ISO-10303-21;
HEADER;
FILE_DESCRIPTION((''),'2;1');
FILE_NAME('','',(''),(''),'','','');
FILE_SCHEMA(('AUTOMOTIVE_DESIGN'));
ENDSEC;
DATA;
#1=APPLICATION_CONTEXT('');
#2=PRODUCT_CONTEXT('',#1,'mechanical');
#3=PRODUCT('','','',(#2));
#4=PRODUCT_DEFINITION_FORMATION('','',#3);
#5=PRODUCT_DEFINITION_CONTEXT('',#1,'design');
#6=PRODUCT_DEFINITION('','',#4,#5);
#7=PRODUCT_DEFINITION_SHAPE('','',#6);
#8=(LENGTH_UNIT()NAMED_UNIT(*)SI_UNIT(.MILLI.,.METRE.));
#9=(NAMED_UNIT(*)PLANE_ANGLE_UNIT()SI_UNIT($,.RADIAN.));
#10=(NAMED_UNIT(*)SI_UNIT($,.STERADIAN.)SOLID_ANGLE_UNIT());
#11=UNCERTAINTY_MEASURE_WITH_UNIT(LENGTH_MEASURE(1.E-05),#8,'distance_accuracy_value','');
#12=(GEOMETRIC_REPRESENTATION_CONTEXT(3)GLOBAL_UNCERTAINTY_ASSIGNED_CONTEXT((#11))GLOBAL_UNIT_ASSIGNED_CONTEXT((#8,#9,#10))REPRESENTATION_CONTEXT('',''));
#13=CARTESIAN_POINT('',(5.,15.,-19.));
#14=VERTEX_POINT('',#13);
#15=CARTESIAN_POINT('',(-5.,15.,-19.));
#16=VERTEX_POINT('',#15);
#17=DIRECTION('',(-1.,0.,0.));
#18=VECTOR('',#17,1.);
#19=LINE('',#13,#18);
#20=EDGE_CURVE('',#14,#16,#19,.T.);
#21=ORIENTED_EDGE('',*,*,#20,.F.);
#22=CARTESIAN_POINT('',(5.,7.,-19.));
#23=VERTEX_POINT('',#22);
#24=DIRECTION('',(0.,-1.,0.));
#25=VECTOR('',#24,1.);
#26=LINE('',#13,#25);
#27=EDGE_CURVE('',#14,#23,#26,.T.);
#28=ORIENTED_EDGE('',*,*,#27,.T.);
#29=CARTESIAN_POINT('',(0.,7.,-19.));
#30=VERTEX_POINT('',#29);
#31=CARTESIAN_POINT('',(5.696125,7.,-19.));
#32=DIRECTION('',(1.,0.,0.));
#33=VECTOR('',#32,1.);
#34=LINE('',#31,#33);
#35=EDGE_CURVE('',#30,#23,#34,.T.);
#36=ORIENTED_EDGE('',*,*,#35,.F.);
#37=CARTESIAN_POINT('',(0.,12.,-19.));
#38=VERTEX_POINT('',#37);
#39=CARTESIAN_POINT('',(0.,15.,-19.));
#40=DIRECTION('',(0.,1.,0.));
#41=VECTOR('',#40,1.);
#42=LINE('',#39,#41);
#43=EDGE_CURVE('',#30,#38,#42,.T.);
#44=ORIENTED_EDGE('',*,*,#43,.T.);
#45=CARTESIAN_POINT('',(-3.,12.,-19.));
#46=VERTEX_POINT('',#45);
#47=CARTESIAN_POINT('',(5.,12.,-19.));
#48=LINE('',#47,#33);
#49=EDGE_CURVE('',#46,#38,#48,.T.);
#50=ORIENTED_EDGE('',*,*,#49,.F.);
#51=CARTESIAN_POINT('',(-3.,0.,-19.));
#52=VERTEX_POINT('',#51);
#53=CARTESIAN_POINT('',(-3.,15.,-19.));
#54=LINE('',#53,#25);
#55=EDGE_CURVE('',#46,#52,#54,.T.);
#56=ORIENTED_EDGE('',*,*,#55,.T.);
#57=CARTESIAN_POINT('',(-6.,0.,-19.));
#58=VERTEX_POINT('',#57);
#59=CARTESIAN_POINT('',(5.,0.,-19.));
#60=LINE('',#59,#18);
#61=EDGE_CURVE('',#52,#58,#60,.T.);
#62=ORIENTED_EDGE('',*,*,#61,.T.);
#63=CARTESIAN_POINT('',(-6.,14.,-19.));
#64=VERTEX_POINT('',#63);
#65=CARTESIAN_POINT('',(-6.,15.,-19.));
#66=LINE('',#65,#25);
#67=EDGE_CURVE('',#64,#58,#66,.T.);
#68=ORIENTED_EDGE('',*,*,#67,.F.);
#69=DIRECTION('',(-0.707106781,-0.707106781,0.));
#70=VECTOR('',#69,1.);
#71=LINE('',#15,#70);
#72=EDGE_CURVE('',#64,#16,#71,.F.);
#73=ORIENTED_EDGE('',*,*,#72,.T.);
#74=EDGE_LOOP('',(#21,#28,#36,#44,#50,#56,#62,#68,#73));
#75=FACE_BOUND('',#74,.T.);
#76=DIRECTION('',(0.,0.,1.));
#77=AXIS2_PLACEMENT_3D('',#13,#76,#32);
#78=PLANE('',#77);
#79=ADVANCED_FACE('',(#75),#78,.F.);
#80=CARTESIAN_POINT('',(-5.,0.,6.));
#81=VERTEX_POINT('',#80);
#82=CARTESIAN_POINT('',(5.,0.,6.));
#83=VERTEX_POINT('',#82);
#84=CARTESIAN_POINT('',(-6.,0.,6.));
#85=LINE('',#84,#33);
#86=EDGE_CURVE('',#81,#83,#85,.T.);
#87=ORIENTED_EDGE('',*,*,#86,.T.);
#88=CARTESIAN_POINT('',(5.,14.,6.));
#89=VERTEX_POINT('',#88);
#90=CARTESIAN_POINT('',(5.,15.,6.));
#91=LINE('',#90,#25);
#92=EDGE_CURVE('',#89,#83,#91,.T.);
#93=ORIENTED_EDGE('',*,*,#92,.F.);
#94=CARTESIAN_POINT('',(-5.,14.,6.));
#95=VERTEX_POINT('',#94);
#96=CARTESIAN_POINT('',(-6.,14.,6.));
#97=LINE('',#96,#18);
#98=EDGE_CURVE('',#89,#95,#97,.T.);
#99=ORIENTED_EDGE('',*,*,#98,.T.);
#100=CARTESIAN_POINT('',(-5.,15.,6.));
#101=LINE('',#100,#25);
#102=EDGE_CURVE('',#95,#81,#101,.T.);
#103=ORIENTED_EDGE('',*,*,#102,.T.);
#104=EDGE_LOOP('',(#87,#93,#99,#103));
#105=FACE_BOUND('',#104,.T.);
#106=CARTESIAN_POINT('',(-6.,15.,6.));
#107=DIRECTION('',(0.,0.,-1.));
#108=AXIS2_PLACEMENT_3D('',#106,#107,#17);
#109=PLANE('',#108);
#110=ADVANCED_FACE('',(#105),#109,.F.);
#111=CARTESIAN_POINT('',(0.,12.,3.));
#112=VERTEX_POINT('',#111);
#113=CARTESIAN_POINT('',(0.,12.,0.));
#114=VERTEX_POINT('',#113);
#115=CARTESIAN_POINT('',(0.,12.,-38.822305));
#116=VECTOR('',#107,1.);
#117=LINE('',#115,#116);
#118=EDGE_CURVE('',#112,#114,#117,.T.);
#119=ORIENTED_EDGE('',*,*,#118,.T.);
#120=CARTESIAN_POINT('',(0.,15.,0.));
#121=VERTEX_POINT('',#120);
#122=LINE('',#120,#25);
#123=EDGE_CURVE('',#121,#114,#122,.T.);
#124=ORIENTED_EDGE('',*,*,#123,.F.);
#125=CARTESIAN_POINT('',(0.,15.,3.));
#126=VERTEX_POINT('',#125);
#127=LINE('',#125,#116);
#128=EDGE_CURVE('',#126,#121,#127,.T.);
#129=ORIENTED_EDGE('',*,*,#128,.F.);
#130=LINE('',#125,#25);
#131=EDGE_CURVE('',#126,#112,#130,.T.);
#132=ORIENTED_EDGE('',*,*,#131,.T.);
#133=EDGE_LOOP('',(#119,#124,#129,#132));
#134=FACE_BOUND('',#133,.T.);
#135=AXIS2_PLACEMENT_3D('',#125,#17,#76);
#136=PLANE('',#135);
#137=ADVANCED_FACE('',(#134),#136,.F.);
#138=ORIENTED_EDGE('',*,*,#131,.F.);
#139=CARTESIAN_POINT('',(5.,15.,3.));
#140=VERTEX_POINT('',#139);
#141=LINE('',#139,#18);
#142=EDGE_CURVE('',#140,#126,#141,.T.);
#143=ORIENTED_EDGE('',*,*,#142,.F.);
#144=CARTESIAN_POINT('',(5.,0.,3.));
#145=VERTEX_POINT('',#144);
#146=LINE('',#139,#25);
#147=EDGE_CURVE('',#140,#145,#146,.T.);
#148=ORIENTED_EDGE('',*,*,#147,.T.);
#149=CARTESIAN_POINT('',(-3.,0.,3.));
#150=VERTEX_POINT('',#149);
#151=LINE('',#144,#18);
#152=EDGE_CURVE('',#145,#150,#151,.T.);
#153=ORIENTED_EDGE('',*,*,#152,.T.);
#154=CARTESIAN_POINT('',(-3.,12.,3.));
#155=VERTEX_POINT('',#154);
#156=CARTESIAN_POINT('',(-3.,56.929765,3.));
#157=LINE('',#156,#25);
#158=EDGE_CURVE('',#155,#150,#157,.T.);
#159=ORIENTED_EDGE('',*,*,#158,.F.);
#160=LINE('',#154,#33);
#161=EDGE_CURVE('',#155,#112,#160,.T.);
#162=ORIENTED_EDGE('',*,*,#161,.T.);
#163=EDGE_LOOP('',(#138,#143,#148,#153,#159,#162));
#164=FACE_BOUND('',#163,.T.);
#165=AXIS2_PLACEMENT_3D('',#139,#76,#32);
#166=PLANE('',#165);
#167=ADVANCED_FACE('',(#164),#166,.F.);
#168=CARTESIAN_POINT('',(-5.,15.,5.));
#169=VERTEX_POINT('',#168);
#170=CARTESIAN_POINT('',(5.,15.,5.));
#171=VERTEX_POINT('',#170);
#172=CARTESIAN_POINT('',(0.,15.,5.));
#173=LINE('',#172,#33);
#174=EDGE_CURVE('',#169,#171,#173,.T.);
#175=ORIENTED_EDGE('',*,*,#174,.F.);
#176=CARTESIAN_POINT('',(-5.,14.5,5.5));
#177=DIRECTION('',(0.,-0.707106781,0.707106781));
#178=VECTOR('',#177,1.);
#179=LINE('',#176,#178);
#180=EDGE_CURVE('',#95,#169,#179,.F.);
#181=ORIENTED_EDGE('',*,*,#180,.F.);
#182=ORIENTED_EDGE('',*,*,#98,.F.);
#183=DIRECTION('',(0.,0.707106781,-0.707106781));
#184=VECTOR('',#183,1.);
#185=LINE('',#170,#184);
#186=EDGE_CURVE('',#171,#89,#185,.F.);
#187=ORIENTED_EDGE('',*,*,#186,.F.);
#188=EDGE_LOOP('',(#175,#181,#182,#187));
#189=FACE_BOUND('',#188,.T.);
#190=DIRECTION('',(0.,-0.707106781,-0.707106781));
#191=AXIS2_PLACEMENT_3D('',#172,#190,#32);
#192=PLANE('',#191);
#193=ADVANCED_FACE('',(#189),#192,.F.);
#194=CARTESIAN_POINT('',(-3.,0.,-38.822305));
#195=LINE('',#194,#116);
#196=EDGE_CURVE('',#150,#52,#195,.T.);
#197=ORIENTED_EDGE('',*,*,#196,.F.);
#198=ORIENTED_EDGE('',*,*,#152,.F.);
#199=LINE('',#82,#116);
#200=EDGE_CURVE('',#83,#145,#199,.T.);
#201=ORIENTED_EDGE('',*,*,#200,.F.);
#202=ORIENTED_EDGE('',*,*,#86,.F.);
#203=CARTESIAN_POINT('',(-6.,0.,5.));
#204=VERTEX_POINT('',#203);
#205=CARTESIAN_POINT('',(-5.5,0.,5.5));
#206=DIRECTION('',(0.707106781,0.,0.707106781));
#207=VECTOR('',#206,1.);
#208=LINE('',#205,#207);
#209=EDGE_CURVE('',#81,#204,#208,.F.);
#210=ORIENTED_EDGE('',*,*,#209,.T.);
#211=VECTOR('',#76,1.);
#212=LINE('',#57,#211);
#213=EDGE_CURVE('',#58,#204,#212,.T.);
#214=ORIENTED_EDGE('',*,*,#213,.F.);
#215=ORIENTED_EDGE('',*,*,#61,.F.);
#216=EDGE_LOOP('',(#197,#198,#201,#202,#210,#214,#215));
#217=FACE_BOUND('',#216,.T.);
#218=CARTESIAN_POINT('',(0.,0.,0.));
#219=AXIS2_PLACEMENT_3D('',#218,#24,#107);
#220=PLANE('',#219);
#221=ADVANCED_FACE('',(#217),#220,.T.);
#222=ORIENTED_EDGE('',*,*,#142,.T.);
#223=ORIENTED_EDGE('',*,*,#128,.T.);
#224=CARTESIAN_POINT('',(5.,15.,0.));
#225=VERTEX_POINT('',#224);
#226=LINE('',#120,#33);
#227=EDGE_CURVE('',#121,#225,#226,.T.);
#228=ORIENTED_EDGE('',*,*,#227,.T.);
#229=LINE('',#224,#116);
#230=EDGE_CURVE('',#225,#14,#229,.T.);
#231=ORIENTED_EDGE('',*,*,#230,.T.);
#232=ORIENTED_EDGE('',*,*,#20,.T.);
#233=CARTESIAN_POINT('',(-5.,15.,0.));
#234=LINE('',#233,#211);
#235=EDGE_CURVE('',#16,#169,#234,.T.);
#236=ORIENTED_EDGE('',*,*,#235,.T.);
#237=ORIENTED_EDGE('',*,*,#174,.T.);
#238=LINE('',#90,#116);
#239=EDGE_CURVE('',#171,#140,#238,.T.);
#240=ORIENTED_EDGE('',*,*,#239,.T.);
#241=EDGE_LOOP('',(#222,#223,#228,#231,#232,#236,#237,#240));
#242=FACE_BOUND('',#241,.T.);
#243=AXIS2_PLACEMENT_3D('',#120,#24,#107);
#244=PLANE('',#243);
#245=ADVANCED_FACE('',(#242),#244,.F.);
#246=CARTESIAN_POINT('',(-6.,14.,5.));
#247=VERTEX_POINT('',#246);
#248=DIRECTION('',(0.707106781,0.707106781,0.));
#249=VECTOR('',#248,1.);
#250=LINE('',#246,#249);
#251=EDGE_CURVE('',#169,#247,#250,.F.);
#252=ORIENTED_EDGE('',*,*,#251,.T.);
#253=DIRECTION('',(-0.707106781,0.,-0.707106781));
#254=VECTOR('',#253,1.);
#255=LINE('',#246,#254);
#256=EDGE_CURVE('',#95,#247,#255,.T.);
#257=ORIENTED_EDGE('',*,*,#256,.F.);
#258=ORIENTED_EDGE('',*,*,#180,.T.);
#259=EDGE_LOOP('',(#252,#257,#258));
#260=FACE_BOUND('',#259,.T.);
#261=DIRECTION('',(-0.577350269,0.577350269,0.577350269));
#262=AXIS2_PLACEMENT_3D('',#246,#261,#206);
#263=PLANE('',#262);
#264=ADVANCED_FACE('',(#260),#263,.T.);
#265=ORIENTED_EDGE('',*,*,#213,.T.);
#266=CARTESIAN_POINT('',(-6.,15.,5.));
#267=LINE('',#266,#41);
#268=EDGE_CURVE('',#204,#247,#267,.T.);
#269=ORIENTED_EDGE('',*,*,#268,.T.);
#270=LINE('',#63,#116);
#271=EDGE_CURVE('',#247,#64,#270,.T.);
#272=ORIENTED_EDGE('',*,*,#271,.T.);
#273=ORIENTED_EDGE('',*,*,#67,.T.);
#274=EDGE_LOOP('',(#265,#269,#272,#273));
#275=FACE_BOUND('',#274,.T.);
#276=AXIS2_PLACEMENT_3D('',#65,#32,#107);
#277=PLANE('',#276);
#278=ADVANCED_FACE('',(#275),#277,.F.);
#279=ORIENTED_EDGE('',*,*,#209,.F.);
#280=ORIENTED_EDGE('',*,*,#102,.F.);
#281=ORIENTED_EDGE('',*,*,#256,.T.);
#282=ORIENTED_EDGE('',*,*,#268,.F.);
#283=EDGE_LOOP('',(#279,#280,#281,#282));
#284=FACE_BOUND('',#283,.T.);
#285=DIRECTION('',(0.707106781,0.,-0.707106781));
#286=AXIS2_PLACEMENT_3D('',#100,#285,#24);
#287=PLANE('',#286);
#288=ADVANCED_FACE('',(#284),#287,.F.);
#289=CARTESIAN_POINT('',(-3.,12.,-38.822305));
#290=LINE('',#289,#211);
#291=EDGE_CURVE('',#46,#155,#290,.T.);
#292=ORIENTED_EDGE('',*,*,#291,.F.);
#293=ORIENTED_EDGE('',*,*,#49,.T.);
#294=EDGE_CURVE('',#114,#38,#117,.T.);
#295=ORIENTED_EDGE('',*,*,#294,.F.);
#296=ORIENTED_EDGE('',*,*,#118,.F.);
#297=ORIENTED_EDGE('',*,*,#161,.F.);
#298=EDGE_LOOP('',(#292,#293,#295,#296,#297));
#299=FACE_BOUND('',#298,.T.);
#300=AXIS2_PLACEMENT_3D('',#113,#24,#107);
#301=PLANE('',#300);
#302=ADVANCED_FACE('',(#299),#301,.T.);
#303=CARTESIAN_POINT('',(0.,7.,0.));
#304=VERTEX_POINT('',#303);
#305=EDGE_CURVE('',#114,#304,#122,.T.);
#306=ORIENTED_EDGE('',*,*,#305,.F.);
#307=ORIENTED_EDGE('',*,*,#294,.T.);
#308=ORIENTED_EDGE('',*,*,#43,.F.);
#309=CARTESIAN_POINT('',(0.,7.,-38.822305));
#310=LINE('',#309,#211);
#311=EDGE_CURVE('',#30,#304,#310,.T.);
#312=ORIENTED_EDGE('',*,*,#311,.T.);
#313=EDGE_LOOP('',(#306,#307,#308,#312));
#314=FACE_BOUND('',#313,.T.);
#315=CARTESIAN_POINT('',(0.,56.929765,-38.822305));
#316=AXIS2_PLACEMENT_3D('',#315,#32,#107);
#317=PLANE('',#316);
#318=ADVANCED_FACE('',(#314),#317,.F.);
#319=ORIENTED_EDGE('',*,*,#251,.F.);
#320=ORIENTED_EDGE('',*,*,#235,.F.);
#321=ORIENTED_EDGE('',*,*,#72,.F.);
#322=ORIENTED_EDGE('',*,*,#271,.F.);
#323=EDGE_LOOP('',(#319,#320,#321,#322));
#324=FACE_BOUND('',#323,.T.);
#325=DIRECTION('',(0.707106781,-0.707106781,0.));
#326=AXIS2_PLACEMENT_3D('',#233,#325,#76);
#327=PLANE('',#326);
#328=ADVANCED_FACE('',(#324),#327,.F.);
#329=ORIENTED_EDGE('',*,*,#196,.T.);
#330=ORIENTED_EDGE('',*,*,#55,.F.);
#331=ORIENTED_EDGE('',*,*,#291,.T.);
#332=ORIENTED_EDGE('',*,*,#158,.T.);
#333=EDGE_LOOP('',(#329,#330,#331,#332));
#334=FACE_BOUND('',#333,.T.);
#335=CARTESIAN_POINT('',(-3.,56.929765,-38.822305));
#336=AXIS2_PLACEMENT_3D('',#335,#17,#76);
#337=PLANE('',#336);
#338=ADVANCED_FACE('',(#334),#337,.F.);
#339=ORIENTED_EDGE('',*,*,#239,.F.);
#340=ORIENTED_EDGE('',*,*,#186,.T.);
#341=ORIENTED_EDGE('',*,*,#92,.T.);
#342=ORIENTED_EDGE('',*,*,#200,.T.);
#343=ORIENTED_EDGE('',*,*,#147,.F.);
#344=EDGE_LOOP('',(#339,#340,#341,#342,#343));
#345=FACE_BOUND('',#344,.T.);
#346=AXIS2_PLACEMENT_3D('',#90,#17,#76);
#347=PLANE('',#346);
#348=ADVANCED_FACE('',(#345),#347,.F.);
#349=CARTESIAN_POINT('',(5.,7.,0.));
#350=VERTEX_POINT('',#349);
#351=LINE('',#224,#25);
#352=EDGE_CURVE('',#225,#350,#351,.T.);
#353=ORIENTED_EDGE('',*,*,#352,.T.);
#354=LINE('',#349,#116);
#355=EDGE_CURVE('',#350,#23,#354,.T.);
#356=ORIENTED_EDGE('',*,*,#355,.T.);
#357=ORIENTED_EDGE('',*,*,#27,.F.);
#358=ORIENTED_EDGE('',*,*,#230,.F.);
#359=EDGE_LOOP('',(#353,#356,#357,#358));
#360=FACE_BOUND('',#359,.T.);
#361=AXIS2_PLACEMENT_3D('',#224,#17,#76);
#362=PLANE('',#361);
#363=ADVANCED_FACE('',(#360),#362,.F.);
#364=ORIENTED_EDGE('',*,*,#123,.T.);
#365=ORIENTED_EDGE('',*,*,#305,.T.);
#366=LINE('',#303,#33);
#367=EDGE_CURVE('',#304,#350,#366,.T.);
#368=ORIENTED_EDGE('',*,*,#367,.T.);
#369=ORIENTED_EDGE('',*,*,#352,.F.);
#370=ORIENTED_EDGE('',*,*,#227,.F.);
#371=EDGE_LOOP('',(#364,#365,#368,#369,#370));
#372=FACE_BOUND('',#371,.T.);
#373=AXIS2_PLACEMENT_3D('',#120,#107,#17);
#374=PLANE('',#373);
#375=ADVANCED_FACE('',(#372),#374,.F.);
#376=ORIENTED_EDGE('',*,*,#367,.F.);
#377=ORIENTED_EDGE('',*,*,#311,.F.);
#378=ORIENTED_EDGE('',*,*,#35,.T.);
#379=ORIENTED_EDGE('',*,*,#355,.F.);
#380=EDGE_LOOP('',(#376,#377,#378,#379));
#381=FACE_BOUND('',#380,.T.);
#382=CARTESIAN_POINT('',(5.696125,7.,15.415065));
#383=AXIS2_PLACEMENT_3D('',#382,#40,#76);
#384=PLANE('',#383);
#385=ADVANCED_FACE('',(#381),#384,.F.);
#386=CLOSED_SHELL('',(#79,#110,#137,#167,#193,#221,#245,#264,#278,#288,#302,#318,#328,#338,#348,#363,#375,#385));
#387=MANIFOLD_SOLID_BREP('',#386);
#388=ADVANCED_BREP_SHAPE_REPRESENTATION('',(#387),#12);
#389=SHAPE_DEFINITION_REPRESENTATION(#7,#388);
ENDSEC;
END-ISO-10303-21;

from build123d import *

# Parameters (mm, degrees)
BOSS_EXTRUDE1_DEPTH = 15
SKETCH2_W           = 3
SKETCH2_H           = 41.822305452
CUT_EXTRUDE1_DEPTH  = 12
CHAMFER1_SIZE       = 1
SKETCH3_W           = 5.696125243
SKETCH3_H           = 11.031228464
CUT_EXTRUDE2_DEPTH  = 22


with BuildPart() as part:
    # Sketch1 → Boss-Extrude1 (new body)
    with BuildSketch(Plane(origin=(0, 0, 0), x_dir=(1, 0, 0), z_dir=(0, 1, 0))):
        Polygon((0, 0), (5, 0), (5, 19), (-6, 19), (-6, -6), (5, -6), (5, -3), (0, -3), align=None)
    extrude(amount=BOSS_EXTRUDE1_DEPTH)

    # Sketch2 → Cut-Extrude1 (cut)
    with BuildSketch(Plane.XZ):
        with Locations((-1.5, -17.911152726)):
            Rectangle(SKETCH2_W, SKETCH2_H)
    extrude(amount=-CUT_EXTRUDE1_DEPTH, mode=Mode.SUBTRACT)

    # Chamfer1
    chamfer1_edges = [part.edges().sort_by_distance(p)[0] for p in [
        (-6, 7.5, 6),
        (-6, 15, -6.5),
        (-0.5, 15, 6),
    ]]
    chamfer(chamfer1_edges, length=CHAMFER1_SIZE)

    # Sketch3 → Cut-Extrude2 (cut)
    with BuildSketch(Plane(origin=(0, 0, -19), x_dir=(-1, 0, 0), z_dir=(0, 0, -1))):
        with Locations((-2.848062622, 1.484385768)):
            Rectangle(SKETCH3_W, SKETCH3_H)
    extrude(amount=-CUT_EXTRUDE2_DEPTH, mode=Mode.SUBTRACT)


solid = part.part
